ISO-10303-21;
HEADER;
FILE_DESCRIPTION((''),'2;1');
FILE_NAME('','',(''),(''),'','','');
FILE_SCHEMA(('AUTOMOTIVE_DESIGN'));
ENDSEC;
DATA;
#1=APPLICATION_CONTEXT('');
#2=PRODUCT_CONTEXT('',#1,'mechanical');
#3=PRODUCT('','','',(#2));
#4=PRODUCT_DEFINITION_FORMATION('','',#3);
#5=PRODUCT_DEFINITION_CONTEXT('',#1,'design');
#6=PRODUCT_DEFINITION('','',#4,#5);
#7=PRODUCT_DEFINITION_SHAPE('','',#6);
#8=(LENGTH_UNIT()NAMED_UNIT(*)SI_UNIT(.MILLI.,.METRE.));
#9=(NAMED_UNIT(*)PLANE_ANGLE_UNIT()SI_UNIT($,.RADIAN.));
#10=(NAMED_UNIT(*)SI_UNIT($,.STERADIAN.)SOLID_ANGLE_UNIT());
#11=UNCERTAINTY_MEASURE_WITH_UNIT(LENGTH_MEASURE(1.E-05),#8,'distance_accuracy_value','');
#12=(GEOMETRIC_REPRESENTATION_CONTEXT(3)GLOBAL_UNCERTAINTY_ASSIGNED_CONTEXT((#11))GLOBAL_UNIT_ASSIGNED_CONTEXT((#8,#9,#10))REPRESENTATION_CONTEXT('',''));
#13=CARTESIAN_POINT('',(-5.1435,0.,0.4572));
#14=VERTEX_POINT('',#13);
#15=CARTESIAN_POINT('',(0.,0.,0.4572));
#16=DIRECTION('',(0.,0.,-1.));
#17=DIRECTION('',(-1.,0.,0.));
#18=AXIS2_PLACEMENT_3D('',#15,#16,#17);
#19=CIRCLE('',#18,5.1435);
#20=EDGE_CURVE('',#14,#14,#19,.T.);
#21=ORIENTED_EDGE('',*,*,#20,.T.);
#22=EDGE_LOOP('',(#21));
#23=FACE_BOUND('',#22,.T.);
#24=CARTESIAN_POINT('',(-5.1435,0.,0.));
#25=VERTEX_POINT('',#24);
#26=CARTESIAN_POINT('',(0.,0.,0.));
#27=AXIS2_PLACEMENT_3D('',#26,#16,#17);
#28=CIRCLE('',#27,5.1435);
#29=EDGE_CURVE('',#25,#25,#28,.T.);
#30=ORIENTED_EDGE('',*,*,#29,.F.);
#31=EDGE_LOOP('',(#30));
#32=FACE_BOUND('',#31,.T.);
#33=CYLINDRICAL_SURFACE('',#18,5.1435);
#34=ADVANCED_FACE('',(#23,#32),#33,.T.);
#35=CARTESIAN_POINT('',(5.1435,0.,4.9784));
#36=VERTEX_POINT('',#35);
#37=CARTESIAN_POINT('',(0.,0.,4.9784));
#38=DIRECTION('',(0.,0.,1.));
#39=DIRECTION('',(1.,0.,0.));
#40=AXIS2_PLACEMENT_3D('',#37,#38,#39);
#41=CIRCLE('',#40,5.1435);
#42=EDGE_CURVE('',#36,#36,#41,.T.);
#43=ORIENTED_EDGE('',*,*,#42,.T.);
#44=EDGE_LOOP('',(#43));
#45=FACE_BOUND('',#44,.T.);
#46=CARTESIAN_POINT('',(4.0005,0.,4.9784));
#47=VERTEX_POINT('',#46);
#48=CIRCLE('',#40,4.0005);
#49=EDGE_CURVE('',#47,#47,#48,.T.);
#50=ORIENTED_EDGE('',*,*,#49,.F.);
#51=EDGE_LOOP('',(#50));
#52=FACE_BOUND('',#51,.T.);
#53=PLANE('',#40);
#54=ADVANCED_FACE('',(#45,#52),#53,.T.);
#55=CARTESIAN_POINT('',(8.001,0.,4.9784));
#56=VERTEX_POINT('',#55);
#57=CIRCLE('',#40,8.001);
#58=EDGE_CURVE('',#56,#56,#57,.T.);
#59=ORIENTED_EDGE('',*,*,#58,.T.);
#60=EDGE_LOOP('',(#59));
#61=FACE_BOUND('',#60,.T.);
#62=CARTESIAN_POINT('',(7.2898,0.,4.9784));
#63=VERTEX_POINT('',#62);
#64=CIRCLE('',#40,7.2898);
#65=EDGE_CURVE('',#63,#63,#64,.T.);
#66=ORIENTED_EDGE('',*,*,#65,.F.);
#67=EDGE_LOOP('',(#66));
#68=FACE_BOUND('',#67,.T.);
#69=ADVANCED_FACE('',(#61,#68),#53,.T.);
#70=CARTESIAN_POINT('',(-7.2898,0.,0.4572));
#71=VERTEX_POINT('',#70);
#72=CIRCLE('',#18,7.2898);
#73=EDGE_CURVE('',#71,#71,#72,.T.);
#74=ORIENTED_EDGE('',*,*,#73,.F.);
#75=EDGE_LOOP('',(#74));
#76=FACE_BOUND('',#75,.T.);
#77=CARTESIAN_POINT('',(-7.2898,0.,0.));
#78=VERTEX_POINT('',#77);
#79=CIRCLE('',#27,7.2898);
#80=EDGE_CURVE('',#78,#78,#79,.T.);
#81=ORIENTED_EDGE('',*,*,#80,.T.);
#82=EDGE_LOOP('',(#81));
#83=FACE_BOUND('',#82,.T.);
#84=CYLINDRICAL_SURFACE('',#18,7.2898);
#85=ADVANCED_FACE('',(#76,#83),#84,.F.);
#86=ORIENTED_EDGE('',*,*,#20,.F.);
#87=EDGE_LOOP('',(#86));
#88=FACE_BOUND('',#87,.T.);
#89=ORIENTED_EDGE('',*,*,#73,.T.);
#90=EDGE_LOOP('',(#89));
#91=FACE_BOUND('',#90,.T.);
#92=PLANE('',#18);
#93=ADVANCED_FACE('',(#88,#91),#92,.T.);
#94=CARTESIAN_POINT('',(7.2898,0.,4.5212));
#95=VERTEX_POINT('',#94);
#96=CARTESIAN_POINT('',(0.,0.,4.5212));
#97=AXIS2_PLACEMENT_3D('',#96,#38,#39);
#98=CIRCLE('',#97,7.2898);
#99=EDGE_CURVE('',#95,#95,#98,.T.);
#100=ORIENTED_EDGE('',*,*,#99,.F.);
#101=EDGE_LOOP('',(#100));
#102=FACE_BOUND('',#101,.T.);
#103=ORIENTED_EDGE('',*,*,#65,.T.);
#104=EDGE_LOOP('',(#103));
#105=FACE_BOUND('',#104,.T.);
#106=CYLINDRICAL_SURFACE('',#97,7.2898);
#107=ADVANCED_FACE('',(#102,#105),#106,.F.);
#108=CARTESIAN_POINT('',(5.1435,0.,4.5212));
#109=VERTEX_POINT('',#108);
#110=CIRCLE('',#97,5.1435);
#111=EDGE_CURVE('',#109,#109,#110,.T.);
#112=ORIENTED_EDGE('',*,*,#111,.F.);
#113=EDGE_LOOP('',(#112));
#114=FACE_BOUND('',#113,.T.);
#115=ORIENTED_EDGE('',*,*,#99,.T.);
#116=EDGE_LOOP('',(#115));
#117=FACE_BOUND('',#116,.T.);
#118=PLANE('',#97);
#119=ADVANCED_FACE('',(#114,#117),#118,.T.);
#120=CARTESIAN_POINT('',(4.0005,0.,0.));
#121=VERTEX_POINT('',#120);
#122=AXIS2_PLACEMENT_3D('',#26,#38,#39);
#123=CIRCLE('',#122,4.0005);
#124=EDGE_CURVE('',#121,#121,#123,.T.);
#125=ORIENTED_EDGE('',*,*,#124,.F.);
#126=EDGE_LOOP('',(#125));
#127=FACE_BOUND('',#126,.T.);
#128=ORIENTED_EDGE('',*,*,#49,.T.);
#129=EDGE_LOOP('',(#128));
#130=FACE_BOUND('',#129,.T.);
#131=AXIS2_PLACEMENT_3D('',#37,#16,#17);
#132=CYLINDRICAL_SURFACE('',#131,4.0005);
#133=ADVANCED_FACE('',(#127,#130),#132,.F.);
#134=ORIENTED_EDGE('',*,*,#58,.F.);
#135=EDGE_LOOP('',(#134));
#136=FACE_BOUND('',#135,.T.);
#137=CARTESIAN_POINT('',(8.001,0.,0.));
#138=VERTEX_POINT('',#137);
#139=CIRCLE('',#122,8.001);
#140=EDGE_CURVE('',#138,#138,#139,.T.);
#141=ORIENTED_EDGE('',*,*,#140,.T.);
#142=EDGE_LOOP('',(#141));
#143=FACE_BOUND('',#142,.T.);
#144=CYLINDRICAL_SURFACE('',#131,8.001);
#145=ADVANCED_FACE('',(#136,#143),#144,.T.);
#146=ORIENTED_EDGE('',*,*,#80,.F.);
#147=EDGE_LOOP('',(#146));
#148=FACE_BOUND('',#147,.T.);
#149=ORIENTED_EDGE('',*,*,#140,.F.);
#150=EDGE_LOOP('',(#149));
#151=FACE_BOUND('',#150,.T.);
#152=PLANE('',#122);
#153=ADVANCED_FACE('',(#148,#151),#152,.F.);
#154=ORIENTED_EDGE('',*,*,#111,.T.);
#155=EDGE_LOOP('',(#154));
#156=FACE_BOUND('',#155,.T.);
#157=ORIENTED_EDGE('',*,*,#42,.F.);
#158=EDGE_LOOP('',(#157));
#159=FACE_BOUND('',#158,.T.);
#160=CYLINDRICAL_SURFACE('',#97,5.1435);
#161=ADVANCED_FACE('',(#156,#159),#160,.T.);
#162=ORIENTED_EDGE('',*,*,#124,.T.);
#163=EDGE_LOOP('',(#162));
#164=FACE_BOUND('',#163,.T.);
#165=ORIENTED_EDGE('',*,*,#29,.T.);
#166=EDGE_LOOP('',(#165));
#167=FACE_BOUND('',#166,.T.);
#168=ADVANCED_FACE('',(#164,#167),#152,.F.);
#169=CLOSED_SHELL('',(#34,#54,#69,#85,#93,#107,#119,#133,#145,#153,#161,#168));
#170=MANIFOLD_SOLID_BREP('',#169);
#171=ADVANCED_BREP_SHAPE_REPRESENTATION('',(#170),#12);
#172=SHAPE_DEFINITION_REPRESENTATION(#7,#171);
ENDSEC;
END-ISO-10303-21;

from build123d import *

# Parameters (mm, degrees)
SKETCH1_R           = 8.001
SKETCH1_R_2         = 4.0005
BOSS_EXTRUDE1_DEPTH = 4.9784
SKETCH2_R           = 7.2898
SKETCH2_R_2         = 5.1435
CUT_EXTRUDE1_DEPTH  = 0.4572
CUT_EXTRUDE2_START  = -0.4572
SKETCH3_R           = 7.2898
SKETCH3_R_2         = 5.1435
CUT_EXTRUDE2_DEPTH  = 0.4572


with BuildPart() as part:
    # Sketch1 → Boss-Extrude1 (new body)
    with BuildSketch(Plane.XY):
        Circle(SKETCH1_R)
        Circle(SKETCH1_R_2, mode=Mode.SUBTRACT)
    extrude(amount=BOSS_EXTRUDE1_DEPTH)

    # Sketch2 → Cut-Extrude1 (cut)
    with BuildSketch(Plane.XY.offset(4.9784)):
        Circle(SKETCH2_R)
        Circle(SKETCH2_R_2, mode=Mode.SUBTRACT)
    extrude(amount=-CUT_EXTRUDE1_DEPTH, mode=Mode.SUBTRACT)

    # Sketch3 → Cut-Extrude2 (cut)
    with BuildSketch(Plane(origin=(0, 0, 0), x_dir=(-1, 0, 0), z_dir=(0, 0, -1)).offset(CUT_EXTRUDE2_START)):
        Circle(SKETCH3_R)
        Circle(SKETCH3_R_2, mode=Mode.SUBTRACT)
    extrude(amount=CUT_EXTRUDE2_DEPTH, mode=Mode.SUBTRACT)


solid = part.part
